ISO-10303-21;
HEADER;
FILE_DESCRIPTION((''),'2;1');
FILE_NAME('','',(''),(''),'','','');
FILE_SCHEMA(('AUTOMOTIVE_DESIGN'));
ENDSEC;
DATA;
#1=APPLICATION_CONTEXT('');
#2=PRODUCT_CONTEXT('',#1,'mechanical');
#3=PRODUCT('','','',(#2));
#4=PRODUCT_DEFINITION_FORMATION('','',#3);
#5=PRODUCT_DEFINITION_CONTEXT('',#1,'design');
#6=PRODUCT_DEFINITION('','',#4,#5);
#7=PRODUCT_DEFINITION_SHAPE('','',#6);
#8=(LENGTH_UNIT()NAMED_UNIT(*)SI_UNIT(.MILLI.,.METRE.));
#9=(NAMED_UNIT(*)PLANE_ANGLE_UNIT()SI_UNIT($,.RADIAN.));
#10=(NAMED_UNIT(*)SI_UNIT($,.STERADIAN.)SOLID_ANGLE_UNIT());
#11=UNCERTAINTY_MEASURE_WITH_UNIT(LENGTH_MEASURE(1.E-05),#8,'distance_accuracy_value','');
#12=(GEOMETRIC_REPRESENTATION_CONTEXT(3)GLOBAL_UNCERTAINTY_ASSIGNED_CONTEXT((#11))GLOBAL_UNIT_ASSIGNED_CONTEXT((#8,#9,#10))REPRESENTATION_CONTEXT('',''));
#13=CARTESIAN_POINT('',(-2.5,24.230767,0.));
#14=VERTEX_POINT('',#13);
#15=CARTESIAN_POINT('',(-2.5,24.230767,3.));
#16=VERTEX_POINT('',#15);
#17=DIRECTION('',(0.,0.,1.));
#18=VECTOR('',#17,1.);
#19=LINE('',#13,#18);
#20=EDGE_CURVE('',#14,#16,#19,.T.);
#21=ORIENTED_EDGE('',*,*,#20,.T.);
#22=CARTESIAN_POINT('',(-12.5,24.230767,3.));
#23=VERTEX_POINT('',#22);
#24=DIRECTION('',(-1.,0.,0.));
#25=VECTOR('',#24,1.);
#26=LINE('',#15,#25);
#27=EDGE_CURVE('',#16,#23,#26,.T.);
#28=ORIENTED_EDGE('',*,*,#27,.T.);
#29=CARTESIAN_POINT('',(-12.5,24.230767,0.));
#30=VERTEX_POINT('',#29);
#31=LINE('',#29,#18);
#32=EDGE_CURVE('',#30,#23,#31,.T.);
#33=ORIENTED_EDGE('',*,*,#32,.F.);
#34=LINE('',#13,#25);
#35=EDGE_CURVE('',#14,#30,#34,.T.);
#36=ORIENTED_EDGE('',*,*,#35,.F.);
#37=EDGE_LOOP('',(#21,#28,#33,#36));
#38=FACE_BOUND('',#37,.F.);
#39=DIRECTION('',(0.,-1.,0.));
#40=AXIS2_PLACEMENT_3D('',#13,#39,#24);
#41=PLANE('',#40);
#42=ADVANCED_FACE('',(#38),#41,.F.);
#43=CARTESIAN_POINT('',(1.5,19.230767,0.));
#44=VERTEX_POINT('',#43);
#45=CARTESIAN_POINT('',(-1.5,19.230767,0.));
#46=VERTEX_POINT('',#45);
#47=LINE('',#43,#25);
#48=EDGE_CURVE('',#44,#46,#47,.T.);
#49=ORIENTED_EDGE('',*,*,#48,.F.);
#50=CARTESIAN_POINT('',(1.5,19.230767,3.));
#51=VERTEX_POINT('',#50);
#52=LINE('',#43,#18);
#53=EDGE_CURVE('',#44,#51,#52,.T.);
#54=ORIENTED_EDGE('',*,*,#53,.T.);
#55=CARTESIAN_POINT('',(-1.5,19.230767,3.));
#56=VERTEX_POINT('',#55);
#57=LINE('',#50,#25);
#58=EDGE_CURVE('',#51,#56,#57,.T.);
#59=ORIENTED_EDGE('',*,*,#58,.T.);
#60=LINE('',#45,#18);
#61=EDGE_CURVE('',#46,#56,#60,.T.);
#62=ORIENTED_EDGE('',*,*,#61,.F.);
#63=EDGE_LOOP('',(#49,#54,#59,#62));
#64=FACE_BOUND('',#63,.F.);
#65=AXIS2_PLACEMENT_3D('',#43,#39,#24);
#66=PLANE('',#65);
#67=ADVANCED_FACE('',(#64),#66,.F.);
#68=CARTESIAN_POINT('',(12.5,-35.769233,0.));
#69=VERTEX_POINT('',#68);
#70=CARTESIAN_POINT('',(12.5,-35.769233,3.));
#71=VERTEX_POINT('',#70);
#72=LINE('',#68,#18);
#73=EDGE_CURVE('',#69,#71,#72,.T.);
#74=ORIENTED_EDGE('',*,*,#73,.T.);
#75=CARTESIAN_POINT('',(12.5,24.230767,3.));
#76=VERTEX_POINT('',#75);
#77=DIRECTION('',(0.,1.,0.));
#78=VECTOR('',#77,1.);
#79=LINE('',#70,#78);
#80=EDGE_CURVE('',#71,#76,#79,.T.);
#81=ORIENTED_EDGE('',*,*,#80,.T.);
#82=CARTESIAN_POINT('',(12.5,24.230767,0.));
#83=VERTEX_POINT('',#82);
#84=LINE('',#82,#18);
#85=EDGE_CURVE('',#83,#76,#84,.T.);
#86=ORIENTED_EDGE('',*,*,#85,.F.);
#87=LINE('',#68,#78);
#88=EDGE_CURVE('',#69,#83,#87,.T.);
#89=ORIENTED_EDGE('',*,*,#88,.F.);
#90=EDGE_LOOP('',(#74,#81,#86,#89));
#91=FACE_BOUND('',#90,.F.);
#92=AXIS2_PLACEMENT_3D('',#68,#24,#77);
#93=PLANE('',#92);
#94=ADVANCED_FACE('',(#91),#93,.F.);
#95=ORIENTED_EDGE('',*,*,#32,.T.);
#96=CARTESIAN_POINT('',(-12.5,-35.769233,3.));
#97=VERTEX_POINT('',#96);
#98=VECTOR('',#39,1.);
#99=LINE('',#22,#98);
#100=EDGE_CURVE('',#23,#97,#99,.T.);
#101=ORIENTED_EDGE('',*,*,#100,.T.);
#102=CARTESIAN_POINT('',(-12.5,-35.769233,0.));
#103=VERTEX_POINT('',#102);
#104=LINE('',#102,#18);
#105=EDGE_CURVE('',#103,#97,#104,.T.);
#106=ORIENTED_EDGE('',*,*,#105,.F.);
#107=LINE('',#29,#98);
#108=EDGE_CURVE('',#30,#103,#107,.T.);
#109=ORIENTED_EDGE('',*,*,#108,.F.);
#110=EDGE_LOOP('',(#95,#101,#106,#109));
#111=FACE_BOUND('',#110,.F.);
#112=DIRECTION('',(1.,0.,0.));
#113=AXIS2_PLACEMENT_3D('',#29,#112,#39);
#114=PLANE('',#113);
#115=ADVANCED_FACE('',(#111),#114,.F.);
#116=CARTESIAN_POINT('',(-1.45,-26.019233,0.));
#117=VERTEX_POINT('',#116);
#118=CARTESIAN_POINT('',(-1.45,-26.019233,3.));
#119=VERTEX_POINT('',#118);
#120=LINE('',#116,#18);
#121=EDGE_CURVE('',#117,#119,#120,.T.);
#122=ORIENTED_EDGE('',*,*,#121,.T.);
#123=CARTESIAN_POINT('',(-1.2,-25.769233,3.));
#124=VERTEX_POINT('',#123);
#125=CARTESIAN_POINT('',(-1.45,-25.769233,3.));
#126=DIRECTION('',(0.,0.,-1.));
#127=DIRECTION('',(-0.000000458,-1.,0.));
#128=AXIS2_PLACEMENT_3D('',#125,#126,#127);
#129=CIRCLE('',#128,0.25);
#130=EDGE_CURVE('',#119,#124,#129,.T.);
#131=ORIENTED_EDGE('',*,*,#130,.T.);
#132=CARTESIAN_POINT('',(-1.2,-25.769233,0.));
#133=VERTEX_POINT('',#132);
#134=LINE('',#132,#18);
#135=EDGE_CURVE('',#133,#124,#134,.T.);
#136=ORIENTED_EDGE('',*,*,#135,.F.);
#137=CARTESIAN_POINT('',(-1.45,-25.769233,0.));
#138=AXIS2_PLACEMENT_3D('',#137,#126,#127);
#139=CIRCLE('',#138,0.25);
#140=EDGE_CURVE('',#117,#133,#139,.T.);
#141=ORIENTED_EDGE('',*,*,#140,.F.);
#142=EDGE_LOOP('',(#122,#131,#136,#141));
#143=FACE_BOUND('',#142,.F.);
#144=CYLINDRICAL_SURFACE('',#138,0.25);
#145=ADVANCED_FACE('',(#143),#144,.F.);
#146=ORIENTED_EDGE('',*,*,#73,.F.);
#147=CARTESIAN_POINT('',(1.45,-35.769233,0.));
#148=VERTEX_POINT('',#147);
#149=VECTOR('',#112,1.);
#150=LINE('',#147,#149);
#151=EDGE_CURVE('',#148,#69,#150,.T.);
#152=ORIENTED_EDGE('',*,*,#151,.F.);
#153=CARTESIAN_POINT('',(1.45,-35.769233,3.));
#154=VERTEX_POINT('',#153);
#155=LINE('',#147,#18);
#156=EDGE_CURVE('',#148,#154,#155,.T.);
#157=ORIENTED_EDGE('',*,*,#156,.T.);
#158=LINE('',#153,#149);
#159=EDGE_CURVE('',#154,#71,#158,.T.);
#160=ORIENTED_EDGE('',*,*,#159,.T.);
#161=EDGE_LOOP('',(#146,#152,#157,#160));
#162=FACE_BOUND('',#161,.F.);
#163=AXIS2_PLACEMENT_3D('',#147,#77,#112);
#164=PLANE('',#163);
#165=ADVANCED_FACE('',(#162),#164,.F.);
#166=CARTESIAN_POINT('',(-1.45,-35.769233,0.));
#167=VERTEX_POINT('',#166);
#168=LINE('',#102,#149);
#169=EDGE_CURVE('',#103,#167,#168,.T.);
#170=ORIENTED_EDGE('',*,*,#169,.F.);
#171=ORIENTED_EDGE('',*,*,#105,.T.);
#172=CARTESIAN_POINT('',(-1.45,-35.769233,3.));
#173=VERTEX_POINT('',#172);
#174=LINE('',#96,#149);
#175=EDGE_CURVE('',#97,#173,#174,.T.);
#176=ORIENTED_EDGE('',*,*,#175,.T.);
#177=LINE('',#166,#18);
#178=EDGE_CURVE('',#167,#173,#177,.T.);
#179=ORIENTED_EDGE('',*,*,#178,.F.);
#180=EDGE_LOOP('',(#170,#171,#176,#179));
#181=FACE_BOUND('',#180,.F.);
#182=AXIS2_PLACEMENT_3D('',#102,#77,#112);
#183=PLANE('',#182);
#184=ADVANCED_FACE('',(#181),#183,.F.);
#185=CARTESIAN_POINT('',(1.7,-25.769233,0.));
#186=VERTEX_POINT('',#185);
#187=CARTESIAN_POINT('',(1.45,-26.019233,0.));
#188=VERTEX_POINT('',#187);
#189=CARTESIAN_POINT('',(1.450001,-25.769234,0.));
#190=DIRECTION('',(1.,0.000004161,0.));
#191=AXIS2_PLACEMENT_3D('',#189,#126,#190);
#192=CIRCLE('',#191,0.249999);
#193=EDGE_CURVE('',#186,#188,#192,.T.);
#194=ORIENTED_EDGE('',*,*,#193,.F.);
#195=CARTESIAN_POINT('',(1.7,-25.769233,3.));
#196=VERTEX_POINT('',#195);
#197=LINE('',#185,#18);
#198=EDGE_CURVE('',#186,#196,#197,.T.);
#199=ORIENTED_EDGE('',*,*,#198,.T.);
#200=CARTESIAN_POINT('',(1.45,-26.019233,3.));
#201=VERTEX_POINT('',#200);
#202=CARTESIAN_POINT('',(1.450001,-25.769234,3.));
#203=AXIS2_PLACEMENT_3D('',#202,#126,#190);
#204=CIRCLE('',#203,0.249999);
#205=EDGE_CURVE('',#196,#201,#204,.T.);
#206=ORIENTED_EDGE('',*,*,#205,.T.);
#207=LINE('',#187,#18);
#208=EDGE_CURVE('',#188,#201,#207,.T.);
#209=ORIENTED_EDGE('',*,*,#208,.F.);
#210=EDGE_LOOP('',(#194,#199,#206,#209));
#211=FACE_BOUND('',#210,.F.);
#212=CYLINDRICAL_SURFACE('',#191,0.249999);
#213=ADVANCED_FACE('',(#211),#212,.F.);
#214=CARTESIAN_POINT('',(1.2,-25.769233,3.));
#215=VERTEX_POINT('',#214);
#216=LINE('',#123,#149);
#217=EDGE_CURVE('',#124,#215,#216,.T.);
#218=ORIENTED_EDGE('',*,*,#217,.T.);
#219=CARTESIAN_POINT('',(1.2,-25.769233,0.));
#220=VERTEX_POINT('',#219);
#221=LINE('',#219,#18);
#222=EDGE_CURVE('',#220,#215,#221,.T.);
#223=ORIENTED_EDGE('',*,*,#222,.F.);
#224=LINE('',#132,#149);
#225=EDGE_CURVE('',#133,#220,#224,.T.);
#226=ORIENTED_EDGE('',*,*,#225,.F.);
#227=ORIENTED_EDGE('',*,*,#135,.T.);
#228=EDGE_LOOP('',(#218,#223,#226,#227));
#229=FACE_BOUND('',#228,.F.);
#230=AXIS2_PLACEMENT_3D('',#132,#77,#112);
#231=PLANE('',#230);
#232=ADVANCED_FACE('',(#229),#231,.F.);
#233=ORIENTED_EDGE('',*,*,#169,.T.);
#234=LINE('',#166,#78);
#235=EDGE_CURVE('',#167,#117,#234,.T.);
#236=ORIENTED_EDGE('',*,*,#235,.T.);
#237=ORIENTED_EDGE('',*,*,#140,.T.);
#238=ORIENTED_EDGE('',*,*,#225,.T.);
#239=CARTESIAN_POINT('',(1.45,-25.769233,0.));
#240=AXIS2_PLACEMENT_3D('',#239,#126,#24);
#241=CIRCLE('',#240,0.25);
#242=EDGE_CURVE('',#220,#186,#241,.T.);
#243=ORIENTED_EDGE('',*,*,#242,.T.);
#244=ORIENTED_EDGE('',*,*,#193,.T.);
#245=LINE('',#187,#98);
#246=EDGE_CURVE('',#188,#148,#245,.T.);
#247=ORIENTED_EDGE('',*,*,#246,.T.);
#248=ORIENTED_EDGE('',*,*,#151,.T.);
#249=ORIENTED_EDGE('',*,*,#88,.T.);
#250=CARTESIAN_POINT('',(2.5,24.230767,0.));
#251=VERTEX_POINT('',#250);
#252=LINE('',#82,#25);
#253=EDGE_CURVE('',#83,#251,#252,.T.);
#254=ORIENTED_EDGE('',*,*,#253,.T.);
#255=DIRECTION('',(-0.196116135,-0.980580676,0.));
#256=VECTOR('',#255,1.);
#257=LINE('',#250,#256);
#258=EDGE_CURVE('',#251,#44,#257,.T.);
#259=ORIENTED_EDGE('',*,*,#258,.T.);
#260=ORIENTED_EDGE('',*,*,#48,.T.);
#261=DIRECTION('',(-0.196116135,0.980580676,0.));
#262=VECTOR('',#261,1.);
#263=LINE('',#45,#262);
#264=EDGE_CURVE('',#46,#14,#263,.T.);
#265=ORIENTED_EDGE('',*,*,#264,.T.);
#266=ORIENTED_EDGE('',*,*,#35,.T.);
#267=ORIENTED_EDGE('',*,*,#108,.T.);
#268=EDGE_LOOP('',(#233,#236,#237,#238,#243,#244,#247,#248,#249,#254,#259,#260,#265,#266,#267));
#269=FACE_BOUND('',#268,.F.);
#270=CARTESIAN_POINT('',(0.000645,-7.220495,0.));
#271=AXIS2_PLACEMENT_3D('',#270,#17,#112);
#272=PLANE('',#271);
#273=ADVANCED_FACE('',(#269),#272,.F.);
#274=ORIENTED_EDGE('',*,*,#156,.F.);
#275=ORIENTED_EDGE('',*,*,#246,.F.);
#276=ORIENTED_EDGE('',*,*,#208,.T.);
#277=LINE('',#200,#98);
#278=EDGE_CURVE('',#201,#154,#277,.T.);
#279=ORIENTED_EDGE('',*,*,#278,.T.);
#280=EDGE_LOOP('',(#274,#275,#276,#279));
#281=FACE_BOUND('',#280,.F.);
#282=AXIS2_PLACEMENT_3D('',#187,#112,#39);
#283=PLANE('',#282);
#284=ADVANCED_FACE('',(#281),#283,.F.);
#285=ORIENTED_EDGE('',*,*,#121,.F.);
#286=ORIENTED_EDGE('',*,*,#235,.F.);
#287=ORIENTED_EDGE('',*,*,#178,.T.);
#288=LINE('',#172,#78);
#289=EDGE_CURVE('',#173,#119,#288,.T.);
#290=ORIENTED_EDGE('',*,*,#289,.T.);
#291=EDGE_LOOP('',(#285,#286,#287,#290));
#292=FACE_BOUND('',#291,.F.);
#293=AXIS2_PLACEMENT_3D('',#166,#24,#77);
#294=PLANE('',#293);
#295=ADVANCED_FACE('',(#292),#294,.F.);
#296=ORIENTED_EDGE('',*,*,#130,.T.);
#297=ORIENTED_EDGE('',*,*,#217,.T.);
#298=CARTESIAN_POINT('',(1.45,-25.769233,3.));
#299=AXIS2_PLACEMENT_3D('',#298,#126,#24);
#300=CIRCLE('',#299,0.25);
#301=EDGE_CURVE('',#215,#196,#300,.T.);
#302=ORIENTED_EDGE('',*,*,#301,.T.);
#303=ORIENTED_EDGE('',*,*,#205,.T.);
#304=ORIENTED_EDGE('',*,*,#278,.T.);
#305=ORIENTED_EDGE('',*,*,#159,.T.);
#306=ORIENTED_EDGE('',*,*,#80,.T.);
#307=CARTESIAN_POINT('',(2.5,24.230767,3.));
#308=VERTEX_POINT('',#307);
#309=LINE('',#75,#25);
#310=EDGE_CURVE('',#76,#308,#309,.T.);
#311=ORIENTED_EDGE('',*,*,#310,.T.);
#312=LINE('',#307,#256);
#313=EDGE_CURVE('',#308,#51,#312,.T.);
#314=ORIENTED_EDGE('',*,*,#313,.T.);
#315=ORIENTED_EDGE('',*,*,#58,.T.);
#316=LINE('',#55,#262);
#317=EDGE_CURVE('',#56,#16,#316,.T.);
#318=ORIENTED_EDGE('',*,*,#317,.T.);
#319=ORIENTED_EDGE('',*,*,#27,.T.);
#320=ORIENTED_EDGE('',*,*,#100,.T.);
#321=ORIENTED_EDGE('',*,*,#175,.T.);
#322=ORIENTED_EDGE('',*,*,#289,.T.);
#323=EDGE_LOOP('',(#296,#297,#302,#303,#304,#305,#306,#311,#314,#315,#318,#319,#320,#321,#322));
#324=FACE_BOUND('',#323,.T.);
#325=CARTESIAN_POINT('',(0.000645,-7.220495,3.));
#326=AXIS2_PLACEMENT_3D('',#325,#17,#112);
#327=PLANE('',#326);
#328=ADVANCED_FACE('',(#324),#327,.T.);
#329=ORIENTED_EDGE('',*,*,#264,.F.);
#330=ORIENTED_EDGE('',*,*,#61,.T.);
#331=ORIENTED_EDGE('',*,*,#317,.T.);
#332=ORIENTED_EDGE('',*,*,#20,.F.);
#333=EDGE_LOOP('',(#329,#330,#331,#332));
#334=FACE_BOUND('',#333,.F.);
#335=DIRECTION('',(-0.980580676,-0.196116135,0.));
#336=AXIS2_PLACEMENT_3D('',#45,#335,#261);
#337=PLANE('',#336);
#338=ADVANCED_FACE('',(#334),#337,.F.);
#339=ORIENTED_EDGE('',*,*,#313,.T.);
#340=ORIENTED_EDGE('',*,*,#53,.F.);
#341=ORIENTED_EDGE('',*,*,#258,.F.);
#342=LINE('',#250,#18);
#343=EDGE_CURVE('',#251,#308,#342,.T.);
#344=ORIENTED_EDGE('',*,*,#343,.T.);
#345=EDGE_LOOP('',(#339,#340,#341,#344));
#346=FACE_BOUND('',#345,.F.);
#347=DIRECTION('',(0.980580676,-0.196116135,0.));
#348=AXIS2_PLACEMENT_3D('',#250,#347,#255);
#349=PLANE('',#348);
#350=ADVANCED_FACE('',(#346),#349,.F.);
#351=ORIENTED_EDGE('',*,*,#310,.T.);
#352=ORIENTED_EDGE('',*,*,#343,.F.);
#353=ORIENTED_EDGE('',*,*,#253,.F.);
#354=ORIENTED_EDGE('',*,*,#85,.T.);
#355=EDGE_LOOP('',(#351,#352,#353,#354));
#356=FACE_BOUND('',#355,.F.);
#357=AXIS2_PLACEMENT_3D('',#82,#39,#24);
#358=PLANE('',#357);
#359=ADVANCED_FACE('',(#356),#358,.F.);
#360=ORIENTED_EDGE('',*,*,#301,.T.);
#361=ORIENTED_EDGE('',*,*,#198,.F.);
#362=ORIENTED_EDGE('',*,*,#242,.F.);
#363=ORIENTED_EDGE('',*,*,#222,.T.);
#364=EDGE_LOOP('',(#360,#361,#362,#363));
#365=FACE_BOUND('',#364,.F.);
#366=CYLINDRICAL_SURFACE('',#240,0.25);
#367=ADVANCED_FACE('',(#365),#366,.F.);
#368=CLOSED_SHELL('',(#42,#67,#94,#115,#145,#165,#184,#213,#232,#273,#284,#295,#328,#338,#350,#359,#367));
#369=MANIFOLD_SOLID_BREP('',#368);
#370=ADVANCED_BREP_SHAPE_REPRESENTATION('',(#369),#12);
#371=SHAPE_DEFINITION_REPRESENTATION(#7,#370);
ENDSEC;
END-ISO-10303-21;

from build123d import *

# Parameters (mm, degrees)
F1_DEPTH = 3


with BuildPart() as f1:
    # F0 (on Top) → F1 (new body)
    with BuildSketch(Plane.XY):
        with BuildLine():
            Line((-2.5, 24.230767), (-12.5, 24.230767))
            Line((-12.5, 24.230767), (-12.5, -35.769233))
            Line((-12.5, -35.769233), (-1.45, -35.769233))
            Line((-1.45, -35.769233), (-1.45, -26.019233))
            ThreePointArc((-1.45, -26.019233), (-1.626777, -25.592457), (-1.2, -25.769233))
            Line((-1.2, -25.769233), (1.2, -25.769233))
            ThreePointArc((1.2, -25.769233), (1.45, -25.519233), (1.7, -25.769233))
            ThreePointArc((1.7, -25.769233), (1.626777, -25.94601), (1.45, -26.019233))
            Line((1.45, -26.019233), (1.45, -35.769233))
            Line((1.45, -35.769233), (12.5, -35.769233))
            Line((12.5, -35.769233), (12.5, 24.230767))
            Line((12.5, 24.230767), (2.5, 24.230767))
            Line((2.5, 24.230767), (1.5, 19.230767))
            Line((1.5, 19.230767), (-1.5, 19.230767))
            Line((-1.5, 19.230767), (-2.5, 24.230767))
        make_face()
    extrude(amount=F1_DEPTH)


solid = f1.part
